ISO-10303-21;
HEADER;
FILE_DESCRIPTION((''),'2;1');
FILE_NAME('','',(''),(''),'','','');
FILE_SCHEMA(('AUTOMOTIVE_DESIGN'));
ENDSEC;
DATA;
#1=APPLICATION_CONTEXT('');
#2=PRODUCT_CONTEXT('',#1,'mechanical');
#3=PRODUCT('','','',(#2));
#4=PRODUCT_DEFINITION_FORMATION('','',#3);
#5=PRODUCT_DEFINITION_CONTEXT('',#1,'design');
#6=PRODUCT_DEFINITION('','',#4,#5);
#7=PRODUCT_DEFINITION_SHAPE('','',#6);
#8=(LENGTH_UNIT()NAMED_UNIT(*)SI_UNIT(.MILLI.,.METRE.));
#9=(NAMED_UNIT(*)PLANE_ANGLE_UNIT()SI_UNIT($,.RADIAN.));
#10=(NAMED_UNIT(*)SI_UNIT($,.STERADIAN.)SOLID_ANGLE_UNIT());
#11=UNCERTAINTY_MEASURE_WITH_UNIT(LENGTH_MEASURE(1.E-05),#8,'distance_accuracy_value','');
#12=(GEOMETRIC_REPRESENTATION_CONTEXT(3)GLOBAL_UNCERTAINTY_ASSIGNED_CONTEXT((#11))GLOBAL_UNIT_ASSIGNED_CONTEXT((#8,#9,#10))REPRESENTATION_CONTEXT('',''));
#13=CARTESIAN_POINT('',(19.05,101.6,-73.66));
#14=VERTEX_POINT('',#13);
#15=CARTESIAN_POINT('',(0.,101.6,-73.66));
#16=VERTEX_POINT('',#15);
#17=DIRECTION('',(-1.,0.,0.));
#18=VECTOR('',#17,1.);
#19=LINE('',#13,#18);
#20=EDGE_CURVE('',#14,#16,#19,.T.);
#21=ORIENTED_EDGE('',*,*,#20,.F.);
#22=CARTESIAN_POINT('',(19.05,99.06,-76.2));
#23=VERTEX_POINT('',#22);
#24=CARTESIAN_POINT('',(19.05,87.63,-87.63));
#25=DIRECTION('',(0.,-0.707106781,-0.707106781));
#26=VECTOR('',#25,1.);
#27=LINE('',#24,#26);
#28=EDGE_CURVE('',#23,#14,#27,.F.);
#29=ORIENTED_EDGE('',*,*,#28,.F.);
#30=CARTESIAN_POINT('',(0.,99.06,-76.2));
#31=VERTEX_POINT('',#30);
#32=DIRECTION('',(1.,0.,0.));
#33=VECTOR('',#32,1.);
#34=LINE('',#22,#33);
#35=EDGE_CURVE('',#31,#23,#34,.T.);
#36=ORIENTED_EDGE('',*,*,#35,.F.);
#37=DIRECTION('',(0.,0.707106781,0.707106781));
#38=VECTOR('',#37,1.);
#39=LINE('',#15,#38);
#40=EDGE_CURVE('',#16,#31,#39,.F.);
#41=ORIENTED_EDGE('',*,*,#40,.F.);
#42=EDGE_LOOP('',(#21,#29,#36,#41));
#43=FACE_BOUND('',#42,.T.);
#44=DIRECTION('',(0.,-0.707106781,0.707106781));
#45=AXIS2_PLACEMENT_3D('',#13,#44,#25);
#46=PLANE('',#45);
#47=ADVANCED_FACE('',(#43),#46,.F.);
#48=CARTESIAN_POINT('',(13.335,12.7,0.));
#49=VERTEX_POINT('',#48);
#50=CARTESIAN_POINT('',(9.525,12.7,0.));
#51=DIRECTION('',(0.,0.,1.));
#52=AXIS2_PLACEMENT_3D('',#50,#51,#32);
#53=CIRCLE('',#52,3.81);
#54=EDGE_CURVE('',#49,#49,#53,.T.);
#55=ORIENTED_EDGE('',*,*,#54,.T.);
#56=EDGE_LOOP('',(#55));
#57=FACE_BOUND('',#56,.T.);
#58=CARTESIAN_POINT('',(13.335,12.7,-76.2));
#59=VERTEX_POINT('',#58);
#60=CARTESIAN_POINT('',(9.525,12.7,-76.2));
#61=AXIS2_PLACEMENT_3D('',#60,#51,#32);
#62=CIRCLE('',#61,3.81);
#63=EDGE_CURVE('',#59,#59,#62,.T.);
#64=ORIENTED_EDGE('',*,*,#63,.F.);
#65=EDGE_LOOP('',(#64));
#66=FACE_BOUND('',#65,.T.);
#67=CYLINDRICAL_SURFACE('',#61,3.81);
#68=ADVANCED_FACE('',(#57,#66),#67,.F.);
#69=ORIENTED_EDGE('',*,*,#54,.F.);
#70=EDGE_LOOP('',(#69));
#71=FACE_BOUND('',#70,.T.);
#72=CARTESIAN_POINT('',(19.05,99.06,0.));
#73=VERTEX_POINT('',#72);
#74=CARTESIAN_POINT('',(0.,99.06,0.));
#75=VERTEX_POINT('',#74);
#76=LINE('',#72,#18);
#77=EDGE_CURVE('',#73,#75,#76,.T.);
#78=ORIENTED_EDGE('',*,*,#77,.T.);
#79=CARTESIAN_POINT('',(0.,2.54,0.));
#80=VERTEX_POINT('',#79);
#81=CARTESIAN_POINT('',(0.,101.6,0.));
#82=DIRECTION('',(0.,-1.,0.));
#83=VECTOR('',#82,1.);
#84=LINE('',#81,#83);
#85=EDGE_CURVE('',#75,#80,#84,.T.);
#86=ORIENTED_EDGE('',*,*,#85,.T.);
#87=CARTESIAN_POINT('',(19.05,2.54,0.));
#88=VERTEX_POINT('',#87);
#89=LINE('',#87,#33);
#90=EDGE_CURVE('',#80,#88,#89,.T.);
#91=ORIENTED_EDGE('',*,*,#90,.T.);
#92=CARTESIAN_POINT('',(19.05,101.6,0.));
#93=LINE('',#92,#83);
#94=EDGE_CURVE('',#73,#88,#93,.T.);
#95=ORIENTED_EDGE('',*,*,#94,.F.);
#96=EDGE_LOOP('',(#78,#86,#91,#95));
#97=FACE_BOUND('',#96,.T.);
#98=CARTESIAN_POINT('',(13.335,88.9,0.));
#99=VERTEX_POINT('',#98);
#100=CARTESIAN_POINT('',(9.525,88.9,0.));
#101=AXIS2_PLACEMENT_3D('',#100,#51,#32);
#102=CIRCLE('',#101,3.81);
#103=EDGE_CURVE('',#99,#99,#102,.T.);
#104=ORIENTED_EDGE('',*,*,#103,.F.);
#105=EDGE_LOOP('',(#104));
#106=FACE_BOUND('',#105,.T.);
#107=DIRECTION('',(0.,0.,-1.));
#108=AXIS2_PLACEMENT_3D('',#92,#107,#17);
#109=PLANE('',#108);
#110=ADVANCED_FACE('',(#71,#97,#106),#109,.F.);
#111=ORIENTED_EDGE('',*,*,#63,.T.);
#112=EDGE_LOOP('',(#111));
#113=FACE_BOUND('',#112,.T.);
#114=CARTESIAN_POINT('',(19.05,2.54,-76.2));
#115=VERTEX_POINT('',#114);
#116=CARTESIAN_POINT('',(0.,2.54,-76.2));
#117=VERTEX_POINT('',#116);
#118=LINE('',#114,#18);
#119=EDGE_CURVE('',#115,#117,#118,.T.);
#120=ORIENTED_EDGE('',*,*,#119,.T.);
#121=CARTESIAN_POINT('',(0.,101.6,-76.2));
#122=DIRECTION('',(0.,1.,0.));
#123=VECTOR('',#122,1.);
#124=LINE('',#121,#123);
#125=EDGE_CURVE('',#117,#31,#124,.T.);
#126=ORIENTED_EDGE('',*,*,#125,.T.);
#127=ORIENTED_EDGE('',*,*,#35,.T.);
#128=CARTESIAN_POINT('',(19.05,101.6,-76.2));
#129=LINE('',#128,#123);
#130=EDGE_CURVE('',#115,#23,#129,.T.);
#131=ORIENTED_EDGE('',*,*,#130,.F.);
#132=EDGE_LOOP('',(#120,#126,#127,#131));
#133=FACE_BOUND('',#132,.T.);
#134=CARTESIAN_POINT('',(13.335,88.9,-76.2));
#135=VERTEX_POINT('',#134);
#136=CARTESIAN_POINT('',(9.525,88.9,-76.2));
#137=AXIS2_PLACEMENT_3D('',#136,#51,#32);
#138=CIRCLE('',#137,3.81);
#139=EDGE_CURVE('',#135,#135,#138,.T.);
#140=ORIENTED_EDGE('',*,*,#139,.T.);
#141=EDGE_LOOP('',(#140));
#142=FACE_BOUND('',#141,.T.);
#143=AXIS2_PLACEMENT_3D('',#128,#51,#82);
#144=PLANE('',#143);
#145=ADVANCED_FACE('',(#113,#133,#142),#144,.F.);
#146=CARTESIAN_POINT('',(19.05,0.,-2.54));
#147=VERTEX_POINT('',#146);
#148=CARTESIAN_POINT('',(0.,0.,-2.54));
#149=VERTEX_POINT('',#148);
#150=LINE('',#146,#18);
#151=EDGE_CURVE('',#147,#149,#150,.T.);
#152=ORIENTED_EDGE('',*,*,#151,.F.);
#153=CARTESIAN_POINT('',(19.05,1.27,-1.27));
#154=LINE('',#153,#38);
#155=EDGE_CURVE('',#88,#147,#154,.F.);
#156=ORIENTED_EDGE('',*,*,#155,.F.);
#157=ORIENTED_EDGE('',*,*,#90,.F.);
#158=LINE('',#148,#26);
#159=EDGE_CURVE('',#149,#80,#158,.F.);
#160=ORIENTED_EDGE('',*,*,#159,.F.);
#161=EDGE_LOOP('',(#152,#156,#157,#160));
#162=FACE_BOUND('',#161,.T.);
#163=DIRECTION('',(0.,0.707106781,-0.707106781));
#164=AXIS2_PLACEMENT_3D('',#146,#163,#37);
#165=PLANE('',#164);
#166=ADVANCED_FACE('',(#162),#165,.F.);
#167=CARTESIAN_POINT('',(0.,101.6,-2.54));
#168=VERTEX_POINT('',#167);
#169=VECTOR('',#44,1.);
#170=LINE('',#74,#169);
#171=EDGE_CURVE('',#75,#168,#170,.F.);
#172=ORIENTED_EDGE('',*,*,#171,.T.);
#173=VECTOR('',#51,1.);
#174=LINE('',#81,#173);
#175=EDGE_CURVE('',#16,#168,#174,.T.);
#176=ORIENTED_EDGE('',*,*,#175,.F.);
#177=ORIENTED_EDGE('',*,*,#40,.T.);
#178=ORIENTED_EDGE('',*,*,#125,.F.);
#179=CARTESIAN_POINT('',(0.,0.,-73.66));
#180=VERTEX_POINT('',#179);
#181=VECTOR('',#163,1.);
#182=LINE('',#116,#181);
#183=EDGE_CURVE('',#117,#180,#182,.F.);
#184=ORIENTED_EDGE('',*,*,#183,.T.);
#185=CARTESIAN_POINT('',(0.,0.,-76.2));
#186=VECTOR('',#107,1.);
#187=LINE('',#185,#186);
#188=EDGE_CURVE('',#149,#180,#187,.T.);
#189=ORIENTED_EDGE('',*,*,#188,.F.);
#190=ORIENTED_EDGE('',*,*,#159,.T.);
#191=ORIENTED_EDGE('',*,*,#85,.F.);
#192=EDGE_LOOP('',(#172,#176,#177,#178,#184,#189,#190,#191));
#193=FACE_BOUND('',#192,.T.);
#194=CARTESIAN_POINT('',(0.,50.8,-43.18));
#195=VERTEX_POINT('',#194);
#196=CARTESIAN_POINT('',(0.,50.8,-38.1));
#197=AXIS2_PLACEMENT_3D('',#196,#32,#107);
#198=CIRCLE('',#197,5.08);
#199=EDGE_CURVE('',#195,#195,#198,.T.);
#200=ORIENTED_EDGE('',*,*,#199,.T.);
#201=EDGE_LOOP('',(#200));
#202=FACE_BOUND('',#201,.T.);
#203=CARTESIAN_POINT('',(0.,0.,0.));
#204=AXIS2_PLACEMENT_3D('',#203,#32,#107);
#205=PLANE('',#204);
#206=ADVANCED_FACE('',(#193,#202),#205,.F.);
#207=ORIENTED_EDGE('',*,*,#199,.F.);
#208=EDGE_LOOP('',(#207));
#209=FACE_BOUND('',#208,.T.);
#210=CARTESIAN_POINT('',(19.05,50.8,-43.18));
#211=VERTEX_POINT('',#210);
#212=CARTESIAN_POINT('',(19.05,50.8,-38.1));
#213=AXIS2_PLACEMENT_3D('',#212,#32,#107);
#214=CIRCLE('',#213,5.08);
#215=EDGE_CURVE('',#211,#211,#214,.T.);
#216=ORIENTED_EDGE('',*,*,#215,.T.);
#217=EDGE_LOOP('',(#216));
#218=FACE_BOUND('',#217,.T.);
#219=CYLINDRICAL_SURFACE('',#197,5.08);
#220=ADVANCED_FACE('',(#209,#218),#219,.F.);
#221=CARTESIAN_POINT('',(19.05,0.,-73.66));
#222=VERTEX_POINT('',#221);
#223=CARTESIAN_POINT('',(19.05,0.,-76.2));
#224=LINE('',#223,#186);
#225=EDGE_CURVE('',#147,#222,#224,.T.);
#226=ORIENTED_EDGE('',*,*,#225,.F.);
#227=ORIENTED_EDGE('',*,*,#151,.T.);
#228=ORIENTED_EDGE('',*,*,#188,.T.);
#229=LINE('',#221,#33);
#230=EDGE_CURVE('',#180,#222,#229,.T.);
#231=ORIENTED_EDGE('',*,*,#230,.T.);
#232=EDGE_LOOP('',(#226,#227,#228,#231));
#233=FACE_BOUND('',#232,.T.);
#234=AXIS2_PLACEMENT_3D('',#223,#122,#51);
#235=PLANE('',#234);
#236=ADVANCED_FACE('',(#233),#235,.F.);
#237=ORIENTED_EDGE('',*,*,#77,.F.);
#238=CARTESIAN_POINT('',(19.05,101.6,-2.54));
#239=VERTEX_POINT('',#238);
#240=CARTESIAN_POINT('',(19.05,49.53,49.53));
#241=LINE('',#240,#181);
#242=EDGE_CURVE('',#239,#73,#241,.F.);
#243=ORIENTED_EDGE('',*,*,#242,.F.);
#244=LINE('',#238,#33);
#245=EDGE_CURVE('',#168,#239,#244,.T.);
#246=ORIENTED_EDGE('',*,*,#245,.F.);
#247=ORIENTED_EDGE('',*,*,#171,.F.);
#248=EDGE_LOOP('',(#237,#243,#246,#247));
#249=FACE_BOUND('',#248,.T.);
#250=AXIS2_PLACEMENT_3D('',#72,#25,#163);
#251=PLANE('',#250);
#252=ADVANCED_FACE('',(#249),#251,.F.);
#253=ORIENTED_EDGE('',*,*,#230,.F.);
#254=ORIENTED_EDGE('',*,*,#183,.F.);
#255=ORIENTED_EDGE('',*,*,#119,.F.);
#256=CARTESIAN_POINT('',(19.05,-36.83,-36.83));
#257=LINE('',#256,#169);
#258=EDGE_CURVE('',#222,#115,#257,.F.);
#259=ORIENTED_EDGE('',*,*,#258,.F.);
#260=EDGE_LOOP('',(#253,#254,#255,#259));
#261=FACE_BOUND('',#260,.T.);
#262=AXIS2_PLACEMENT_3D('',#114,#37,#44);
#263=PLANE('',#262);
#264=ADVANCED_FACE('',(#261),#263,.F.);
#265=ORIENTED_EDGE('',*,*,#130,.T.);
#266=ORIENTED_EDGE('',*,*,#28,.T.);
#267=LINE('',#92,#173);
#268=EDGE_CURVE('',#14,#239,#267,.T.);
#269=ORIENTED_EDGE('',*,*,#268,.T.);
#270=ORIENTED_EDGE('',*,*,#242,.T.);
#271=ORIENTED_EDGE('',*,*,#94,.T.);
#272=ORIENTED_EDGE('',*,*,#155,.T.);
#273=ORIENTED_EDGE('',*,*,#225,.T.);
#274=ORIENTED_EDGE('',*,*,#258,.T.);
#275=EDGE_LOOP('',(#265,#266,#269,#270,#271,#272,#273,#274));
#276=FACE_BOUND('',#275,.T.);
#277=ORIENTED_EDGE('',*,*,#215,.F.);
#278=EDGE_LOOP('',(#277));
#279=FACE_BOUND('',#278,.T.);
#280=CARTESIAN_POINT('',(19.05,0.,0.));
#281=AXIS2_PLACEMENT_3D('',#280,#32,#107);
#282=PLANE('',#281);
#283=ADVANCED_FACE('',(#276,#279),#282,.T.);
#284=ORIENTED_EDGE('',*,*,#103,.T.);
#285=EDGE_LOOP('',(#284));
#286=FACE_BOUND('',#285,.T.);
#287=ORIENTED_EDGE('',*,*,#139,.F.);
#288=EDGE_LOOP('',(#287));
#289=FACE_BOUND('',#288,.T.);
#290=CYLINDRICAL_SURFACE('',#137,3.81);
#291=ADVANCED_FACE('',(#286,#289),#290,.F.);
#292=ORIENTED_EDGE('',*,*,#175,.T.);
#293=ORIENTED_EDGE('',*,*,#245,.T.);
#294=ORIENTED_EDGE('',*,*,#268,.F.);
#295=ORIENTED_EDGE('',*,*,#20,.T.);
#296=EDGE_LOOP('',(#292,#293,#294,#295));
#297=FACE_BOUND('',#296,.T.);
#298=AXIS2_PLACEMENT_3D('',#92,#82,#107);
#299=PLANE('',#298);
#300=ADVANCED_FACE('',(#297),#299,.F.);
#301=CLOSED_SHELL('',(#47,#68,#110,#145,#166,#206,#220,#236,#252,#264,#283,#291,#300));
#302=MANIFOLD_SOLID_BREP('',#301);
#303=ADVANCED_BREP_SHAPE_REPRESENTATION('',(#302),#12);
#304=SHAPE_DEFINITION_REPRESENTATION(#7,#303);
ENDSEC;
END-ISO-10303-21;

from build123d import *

# Parameters (mm, degrees)
SKETCH1_W           = 76.2
SKETCH1_H           = 101.6
BOSS_EXTRUDE1_DEPTH = 19.05
SKETCH3_R           = 3.81
CUT_EXTRUDE2_DEPTH  = 77.2
SKETCH6_R           = 3.81
CUT_EXTRUDE5_DEPTH  = 77.2
SKETCH5_R           = 5.08
CUT_EXTRUDE4_DEPTH  = 20.05
CHAMFER1_SIZE       = 2.54


with BuildPart() as part:
    # Sketch1 → Boss-Extrude1 (new body)
    with BuildSketch(Plane(origin=(0, 0, 0), x_dir=(0, 0, -1), z_dir=(1, 0, 0))):
        with Locations((38.1, 50.8)):
            Rectangle(SKETCH1_W, SKETCH1_H)
    extrude(amount=BOSS_EXTRUDE1_DEPTH)

    # Sketch3 → Cut-Extrude2 (cut, through all)
    with BuildSketch(Plane.XY):
        with Locations((9.525, 12.7)):
            Circle(SKETCH3_R)
    extrude(amount=-CUT_EXTRUDE2_DEPTH, mode=Mode.SUBTRACT)

    # Sketch6 → Cut-Extrude5 (cut, through all)
    with BuildSketch(Plane.XY):
        with Locations((9.525, 88.9)):
            Circle(SKETCH6_R)
    extrude(amount=-CUT_EXTRUDE5_DEPTH, mode=Mode.SUBTRACT)

    # Sketch5 → Cut-Extrude4 (cut, through all)
    with BuildSketch(Plane(origin=(19.05, 0, 0), x_dir=(0, 0, -1), z_dir=(1, 0, 0))):
        with Locations((38.1, 50.8)):
            Circle(SKETCH5_R)
    extrude(amount=-CUT_EXTRUDE4_DEPTH, mode=Mode.SUBTRACT)

    # Chamfer1
    chamfer1_edges = [part.edges().sort_by_distance(p)[0] for p in [
        (9.525, 0, 0),
        (9.525, 101.6, 0),
        (9.525, 101.6, -76.2),
        (9.525, 0, -76.2),
    ]]
    chamfer(chamfer1_edges, length=CHAMFER1_SIZE)


solid = part.part
